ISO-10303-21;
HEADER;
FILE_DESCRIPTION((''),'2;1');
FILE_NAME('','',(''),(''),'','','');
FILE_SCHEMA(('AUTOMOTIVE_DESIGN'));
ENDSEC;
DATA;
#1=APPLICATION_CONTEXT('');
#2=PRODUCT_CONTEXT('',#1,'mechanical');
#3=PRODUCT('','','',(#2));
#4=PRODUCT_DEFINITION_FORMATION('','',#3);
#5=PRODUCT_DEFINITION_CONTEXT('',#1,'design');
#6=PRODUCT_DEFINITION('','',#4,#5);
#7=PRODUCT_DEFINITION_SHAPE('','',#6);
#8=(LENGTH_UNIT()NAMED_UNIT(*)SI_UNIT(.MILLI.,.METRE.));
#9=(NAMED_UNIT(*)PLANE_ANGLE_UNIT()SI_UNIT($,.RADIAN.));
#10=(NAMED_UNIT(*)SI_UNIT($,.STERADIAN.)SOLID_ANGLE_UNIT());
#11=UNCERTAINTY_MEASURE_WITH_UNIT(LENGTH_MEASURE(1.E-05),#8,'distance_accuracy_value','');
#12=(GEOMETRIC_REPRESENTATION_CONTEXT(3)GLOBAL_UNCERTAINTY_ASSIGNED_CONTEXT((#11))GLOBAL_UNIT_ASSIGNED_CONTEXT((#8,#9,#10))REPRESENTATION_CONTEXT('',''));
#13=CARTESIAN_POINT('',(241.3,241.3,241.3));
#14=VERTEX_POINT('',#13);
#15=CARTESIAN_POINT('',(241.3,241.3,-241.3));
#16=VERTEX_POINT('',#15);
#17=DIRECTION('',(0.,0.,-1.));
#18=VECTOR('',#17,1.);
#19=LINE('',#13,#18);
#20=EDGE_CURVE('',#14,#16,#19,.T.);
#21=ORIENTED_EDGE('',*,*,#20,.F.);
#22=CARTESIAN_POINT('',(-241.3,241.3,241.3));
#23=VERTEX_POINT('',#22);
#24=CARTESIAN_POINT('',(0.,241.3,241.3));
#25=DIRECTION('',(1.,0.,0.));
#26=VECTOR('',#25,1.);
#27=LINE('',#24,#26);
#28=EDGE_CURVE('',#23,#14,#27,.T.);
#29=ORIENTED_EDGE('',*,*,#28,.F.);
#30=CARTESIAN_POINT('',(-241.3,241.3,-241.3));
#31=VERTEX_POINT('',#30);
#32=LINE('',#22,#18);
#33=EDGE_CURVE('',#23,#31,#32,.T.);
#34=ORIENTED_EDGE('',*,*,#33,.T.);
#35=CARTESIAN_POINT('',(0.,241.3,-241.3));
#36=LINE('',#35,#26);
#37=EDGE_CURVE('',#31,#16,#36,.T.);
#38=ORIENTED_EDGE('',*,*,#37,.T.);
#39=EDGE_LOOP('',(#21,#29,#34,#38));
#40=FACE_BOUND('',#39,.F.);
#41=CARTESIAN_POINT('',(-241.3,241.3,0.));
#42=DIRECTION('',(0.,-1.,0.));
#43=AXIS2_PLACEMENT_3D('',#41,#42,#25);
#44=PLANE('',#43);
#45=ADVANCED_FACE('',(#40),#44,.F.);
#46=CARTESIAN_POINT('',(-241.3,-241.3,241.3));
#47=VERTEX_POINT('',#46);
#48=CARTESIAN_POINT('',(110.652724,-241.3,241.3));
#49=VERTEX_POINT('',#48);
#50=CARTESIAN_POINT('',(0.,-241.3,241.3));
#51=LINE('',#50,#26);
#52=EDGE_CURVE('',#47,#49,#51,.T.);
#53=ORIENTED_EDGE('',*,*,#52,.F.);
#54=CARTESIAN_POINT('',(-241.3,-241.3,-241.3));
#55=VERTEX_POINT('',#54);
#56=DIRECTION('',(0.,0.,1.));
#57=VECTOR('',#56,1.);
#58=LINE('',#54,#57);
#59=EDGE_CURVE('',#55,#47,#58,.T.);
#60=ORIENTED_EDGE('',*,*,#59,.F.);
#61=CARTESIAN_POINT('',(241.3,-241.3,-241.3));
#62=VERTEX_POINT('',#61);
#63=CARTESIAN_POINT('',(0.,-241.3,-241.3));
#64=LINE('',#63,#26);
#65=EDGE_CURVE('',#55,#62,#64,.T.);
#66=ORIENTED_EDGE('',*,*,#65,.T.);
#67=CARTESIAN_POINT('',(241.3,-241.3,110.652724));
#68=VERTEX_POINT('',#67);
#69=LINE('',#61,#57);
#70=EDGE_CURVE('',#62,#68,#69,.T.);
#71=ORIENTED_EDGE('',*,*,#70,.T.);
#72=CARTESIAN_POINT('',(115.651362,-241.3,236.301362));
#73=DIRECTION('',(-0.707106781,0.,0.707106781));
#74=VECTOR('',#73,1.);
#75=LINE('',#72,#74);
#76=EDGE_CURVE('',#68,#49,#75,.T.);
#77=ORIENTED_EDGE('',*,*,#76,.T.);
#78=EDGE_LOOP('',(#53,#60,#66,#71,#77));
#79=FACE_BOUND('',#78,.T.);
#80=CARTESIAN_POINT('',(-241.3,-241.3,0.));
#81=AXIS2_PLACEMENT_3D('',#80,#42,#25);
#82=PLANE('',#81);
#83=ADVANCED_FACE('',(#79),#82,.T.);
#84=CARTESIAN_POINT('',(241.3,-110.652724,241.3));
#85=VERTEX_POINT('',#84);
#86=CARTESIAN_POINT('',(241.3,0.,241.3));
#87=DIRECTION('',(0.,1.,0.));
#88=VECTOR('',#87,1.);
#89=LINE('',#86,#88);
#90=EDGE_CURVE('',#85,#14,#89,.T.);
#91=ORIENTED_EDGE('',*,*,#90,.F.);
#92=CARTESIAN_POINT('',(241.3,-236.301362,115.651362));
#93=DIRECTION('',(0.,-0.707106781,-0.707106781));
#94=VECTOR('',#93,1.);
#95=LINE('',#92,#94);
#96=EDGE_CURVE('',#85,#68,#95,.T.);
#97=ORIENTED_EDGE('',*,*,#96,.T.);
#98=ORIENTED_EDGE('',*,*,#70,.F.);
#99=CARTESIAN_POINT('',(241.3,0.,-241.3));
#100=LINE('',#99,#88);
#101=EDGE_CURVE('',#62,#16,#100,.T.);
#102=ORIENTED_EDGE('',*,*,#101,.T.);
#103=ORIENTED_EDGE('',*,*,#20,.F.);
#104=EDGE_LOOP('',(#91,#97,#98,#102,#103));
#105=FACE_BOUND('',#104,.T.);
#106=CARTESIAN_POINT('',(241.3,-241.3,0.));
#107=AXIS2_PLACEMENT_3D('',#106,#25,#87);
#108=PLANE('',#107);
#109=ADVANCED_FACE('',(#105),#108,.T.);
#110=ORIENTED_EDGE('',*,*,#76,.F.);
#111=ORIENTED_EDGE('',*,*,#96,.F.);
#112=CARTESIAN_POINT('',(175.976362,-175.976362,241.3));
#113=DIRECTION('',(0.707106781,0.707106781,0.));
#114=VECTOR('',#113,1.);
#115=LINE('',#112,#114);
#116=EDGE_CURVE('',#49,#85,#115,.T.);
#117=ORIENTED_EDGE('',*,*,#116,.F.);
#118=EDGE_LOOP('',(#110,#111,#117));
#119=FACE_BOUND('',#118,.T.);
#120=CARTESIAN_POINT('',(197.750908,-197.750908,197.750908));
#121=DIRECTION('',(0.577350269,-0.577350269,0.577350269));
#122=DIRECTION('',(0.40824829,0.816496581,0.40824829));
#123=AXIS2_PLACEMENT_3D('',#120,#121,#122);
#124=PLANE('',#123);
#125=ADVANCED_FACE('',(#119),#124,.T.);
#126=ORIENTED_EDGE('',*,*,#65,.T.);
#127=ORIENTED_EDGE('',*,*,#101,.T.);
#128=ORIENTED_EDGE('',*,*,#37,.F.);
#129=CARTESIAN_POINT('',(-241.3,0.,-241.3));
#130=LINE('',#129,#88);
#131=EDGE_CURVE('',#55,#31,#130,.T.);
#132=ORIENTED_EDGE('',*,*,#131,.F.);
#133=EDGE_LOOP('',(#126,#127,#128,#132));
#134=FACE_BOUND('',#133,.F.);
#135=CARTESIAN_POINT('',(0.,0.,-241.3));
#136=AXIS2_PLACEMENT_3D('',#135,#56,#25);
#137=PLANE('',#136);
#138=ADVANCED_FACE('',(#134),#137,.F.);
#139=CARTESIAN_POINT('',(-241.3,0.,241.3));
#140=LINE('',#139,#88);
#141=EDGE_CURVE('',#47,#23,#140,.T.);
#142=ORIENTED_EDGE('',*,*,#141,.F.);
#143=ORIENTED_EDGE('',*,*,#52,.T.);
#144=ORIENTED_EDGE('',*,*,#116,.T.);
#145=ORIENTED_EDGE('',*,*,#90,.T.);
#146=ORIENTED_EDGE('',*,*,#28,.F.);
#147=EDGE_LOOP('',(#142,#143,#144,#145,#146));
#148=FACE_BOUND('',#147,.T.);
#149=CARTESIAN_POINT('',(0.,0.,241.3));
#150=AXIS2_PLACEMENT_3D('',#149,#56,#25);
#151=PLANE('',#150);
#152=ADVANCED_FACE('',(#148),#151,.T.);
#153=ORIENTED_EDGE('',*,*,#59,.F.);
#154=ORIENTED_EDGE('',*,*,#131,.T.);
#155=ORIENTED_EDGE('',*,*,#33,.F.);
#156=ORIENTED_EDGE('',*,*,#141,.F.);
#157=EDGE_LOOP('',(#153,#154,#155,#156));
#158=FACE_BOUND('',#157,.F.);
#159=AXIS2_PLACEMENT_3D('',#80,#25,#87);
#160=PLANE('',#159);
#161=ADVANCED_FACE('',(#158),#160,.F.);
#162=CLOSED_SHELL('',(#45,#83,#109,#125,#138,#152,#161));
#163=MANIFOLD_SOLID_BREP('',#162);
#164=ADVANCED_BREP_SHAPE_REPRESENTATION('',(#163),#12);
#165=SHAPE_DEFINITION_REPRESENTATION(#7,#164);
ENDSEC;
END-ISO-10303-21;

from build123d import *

# Parameters (mm, degrees)
F0_W     = 482.6
F0_H     = 482.6
F1_DEPTH = 241.3
F4_START = 203.2
F4_DEPTH = 76.2


with BuildPart() as f1:
    # F0 (on Top) → F1 (new body, symmetric)
    with BuildSketch(Plane.XY):
        Rectangle(F0_W, F0_H)
    extrude(amount=F1_DEPTH, both=True)

    # F3 (on 3pt) → F4 (cut)
    with BuildSketch(Plane(origin=(80.4333333333, -80.4333333333, 80.4333333333), x_dir=(0.4082482905, 0.8164965809, 0.4082482905), z_dir=(0.5773502692, -0.5773502692, 0.5773502692)).offset(F4_START)):
        Polygon((394.0412499557, 0), (-197.0206249779, 341.2497326006), (-197.0206249779, -341.2497326006), align=None)
    extrude(amount=F4_DEPTH, mode=Mode.SUBTRACT)


solid = f1.part
